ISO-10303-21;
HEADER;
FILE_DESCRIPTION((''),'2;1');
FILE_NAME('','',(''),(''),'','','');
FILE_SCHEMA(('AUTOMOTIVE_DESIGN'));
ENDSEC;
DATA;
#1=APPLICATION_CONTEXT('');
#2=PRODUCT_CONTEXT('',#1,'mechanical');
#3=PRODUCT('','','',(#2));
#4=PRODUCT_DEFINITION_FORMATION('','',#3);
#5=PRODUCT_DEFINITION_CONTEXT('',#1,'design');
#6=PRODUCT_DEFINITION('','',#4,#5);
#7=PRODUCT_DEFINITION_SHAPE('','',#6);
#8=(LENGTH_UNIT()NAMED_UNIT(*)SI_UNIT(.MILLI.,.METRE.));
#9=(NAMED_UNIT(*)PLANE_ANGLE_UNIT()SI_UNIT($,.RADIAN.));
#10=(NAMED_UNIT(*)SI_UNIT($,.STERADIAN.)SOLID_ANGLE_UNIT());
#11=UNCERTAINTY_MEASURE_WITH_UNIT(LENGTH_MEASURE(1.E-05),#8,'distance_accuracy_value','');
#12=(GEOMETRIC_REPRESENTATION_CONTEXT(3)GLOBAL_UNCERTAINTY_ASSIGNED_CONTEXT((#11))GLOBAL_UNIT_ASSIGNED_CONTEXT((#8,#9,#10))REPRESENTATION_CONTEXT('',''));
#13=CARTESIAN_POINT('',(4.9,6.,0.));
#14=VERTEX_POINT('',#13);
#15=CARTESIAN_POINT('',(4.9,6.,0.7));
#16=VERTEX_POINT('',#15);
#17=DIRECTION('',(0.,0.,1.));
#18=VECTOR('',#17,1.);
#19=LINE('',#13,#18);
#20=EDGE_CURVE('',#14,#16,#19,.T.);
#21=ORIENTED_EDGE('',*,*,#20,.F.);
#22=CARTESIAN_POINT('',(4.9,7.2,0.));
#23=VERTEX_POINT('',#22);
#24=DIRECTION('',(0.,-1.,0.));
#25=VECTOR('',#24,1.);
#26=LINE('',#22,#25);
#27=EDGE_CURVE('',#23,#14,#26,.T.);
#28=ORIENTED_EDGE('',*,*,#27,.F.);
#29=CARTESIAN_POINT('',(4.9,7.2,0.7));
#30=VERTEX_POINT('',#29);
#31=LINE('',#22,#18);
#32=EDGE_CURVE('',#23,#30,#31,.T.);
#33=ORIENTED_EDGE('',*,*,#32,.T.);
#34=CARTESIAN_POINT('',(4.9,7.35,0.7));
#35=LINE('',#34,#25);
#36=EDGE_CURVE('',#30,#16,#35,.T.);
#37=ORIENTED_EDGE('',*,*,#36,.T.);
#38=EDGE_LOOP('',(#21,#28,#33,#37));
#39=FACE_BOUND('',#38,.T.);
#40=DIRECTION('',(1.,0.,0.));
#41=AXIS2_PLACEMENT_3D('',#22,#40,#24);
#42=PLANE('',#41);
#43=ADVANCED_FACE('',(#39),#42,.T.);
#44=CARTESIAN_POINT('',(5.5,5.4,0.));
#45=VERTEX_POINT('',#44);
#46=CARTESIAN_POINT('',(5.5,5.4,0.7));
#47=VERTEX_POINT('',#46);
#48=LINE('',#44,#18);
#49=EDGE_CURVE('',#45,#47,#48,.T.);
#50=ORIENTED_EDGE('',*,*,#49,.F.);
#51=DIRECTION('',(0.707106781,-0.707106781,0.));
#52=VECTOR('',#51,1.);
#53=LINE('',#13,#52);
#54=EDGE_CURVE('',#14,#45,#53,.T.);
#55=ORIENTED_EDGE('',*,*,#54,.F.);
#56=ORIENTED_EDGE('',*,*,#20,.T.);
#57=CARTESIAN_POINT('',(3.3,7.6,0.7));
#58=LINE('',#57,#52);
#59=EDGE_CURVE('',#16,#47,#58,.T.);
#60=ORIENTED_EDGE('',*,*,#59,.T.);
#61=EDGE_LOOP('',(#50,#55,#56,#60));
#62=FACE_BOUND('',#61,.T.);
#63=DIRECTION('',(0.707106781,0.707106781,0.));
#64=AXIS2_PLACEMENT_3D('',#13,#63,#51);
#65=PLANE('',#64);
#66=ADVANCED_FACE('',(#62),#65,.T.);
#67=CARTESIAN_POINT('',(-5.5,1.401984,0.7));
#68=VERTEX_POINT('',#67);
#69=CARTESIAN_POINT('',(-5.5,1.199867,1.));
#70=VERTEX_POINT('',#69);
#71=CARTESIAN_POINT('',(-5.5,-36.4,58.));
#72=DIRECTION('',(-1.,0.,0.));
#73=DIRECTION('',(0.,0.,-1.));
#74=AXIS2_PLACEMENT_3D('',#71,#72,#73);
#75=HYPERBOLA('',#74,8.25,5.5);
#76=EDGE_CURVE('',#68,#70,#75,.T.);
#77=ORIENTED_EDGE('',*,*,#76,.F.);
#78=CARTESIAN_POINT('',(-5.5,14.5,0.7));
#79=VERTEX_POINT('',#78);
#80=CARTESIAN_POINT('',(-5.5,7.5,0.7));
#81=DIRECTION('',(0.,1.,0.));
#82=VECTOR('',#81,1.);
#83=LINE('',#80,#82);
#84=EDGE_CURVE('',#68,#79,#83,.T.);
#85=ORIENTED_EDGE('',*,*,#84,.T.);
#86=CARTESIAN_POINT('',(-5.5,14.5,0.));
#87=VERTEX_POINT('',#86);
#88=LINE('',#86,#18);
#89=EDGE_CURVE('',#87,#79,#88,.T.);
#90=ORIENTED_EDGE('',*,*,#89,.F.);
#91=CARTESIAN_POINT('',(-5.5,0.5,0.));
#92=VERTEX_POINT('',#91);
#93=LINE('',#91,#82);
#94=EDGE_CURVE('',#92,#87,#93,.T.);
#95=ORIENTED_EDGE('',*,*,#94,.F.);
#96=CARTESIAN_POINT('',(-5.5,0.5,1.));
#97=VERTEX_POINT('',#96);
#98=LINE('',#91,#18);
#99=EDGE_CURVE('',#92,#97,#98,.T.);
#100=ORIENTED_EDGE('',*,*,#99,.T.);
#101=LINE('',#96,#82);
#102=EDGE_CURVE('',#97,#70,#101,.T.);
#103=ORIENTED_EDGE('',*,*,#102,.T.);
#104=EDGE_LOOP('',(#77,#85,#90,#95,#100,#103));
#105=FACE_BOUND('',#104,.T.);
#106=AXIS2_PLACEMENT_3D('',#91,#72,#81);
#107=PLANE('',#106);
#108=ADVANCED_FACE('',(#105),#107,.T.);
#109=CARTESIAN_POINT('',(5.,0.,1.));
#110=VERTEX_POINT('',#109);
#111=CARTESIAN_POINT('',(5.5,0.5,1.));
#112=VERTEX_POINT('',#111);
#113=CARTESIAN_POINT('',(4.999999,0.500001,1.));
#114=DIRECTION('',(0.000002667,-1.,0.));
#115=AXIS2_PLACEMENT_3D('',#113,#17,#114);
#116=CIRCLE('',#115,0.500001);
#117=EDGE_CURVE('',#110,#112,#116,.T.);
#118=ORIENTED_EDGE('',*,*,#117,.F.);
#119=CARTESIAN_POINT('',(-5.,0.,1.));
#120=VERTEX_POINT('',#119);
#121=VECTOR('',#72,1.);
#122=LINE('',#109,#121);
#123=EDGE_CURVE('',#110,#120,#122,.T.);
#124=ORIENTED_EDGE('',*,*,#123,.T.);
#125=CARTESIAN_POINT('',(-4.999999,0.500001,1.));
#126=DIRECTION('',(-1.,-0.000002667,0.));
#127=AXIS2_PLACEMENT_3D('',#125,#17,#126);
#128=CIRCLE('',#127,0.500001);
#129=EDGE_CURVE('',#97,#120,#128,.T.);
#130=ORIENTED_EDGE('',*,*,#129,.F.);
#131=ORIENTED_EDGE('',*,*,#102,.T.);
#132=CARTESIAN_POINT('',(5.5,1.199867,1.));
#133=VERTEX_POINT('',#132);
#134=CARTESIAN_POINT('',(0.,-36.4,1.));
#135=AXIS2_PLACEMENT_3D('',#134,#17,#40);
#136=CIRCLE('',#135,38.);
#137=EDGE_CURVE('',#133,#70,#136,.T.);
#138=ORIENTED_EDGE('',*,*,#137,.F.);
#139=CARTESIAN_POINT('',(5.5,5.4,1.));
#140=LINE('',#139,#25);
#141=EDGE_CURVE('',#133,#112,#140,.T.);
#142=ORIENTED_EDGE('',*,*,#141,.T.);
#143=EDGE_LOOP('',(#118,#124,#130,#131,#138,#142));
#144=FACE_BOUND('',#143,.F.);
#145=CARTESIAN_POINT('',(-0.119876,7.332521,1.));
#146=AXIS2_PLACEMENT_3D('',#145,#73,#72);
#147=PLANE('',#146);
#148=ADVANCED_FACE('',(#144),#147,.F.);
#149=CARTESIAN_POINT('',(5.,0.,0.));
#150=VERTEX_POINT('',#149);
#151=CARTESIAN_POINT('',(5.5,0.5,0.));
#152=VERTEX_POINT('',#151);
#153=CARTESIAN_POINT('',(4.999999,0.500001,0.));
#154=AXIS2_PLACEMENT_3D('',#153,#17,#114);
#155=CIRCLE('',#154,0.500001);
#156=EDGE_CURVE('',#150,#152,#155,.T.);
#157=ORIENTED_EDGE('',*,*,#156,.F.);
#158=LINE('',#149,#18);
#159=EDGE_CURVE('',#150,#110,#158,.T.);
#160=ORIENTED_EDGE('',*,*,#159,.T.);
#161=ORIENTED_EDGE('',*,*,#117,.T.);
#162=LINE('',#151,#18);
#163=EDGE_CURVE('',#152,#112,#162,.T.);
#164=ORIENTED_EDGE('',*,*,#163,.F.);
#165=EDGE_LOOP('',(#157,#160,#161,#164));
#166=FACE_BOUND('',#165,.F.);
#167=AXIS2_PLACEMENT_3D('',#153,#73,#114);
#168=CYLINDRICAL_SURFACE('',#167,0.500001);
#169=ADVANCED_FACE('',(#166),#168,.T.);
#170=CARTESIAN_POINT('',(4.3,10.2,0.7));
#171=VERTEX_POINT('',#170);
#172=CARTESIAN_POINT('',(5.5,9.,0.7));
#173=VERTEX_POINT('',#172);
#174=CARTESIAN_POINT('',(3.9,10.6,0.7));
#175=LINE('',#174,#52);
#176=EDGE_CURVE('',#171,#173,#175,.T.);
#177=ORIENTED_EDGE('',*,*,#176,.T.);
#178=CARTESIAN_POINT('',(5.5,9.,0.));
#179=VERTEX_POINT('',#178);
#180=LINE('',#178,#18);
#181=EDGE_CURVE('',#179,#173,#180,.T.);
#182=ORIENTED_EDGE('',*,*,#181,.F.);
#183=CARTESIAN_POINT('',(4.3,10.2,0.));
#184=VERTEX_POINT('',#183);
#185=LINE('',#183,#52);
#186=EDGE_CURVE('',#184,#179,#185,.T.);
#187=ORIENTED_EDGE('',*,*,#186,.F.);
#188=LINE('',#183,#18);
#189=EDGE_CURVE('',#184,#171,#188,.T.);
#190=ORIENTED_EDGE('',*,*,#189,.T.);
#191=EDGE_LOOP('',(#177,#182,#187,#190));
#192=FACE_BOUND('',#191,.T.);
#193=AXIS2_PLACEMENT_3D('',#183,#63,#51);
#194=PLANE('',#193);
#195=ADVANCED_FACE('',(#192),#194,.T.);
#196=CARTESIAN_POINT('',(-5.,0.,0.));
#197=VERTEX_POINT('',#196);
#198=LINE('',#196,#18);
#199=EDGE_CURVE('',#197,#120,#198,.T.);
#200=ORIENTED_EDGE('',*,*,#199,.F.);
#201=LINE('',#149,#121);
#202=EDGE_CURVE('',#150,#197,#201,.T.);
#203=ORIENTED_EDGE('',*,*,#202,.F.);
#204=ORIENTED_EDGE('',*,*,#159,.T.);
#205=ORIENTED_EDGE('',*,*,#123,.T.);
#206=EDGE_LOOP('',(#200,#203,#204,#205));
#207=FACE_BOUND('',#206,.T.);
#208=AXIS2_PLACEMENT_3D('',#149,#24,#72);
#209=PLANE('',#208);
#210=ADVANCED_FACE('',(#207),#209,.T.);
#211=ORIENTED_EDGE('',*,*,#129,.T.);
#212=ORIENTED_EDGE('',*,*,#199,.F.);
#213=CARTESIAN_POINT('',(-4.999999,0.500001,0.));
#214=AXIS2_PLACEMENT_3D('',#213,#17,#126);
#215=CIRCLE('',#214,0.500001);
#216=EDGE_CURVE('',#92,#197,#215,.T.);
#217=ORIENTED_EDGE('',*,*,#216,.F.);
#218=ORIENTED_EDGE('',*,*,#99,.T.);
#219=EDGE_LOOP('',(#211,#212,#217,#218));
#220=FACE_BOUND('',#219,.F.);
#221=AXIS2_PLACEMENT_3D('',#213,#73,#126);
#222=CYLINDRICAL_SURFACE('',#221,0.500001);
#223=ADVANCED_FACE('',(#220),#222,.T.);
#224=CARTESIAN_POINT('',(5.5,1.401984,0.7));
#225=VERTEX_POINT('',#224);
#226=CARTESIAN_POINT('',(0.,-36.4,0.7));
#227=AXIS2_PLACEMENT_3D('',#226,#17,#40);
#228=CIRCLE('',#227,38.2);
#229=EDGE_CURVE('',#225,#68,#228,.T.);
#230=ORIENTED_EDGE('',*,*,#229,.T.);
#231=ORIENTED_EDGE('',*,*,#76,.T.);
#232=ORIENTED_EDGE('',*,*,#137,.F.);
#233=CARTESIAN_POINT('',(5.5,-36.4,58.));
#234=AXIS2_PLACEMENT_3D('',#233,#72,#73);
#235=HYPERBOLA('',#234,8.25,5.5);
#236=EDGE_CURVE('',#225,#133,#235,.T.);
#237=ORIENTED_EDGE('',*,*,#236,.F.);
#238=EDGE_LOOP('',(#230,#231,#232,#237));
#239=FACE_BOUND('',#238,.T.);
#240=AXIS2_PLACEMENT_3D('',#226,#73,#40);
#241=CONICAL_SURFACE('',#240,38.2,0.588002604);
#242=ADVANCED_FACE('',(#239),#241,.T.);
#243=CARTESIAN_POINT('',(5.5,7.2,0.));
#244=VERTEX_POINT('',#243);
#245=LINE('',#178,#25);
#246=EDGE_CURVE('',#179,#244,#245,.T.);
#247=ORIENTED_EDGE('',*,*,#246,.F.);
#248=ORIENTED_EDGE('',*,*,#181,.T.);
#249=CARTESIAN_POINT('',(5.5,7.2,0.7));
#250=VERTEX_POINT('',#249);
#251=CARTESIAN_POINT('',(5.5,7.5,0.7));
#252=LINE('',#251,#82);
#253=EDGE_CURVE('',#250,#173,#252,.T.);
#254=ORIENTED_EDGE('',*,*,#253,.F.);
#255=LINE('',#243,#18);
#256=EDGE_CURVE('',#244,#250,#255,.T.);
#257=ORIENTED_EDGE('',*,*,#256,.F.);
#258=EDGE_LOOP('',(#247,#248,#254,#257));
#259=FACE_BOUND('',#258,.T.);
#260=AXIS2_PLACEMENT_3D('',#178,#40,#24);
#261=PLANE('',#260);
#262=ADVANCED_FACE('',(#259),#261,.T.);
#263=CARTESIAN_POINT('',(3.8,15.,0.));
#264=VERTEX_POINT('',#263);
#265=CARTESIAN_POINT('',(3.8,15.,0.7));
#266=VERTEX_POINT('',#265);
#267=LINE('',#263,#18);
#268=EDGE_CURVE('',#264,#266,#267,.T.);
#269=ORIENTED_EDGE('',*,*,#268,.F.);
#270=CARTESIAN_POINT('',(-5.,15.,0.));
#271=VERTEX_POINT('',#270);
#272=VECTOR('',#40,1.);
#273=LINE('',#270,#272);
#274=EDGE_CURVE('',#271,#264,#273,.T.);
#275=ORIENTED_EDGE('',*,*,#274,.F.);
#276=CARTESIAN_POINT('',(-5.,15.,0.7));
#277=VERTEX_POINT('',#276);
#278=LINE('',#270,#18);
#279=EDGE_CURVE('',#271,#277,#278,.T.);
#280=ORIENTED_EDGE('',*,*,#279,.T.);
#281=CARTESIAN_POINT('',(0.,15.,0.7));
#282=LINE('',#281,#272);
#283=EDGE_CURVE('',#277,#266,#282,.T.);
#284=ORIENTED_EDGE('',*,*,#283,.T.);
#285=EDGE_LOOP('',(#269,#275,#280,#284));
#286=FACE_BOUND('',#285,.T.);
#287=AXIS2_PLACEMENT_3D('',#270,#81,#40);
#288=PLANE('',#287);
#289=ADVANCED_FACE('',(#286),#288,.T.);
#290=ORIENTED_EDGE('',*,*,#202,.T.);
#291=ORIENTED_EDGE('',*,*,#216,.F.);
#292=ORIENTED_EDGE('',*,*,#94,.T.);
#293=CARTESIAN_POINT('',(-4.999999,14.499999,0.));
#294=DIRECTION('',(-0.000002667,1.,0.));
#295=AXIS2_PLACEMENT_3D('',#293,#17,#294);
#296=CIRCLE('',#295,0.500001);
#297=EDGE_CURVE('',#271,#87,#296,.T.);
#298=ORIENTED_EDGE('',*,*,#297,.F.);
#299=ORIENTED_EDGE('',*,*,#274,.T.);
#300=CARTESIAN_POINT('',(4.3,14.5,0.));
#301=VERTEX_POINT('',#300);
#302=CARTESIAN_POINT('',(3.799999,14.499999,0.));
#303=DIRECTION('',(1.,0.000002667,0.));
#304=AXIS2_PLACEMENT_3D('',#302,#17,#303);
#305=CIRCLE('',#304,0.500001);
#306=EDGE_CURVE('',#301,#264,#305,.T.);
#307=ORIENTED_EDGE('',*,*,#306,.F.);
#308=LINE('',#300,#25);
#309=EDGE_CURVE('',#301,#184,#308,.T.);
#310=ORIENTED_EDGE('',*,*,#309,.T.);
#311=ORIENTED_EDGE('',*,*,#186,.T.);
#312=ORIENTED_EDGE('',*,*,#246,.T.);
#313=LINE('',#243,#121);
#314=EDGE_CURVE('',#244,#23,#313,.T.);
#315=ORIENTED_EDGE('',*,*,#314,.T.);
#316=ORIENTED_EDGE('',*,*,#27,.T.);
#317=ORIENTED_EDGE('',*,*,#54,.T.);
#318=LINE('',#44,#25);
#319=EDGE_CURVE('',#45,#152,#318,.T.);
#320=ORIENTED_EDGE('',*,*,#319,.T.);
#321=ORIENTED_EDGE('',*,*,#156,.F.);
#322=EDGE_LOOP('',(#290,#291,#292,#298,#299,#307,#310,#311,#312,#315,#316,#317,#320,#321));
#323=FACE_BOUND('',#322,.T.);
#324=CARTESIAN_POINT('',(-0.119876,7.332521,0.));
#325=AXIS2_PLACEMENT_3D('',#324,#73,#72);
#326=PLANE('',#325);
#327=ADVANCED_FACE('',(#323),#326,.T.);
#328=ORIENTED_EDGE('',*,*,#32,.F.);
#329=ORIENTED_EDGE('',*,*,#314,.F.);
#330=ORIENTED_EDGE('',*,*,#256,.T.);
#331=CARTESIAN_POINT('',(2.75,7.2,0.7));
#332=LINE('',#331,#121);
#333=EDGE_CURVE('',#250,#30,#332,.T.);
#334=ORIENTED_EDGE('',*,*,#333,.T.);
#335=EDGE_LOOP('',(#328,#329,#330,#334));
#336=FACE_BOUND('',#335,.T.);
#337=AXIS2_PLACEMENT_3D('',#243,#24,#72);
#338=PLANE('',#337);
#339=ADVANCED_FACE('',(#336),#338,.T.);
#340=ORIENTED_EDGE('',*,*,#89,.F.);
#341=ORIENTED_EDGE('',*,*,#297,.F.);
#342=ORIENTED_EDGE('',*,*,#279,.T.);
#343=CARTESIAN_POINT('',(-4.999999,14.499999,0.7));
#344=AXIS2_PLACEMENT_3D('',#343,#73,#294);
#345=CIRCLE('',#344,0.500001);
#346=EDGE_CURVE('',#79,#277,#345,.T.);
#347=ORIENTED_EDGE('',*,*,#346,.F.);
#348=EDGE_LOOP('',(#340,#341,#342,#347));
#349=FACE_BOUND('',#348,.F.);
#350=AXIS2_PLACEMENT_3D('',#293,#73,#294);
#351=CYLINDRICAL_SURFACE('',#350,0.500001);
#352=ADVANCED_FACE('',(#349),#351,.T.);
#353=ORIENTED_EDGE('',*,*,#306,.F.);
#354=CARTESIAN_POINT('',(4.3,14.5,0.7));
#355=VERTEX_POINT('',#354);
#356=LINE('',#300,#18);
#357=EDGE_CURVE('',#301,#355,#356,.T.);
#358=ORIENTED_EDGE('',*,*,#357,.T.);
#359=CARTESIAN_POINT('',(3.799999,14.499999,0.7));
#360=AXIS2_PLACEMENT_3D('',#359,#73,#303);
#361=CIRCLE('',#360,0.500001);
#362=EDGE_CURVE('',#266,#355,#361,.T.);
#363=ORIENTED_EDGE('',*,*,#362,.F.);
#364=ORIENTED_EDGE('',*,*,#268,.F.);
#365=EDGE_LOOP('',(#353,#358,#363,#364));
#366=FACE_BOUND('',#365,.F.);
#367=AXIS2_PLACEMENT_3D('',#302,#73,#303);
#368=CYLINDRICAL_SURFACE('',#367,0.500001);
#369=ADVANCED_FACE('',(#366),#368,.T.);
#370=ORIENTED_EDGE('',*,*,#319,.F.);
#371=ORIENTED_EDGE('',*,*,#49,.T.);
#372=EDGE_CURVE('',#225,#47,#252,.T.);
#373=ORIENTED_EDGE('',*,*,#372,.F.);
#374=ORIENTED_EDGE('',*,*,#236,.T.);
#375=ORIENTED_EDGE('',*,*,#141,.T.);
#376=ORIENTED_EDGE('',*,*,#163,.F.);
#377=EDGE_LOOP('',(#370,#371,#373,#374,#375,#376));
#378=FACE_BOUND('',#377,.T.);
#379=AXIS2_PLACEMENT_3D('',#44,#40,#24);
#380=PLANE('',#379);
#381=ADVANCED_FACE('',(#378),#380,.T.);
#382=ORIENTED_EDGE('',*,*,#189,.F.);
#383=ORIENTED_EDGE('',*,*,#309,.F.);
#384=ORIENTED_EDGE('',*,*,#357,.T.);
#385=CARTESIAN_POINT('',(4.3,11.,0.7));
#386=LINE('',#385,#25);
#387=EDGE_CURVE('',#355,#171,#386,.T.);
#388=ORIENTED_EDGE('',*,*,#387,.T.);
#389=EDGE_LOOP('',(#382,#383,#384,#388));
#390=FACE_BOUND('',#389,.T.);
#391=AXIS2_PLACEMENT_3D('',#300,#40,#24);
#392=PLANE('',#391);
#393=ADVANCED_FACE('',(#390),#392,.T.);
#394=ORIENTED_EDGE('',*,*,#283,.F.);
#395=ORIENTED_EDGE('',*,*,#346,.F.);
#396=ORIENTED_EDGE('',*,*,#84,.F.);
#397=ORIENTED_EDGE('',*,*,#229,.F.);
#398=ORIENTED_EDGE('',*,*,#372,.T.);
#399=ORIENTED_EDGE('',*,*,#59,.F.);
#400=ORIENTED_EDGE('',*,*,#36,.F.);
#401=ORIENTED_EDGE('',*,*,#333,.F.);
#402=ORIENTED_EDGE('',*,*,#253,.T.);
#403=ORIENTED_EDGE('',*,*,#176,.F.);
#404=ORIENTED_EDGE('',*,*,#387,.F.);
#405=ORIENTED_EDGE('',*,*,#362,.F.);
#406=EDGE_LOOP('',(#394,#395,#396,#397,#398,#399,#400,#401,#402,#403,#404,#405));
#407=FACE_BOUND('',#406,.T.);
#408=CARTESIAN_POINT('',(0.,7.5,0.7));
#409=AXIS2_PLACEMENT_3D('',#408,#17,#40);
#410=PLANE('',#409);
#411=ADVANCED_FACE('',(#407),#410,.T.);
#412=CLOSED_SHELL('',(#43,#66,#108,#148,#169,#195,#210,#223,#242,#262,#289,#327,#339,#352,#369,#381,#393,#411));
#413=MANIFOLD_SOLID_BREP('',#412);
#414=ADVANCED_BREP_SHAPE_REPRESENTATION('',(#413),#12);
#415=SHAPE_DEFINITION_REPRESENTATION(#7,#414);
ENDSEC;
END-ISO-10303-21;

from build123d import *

# Parameters (mm, degrees)
BOX072_W         = 11
BOX072_H         = 15
BOX072_DEPTH     = 0.3
EXTRUDE017_DEPTH = 1


with BuildPart() as cone:
    # Cone → Cone (revolve)
    with BuildSketch(Plane(origin=(0, -36.4, 0.7), x_dir=(1, 0, 0), z_dir=(0, -1, 0))):
        Polygon((0, 0), (38.2, 0), (38, 0.3), (0, 0.3), align=None)
    revolve(axis=Axis((0, -36.4, 0.7), (0, 0, 1)))


with BuildPart() as cut018:
    # Box072 → Box072 (new body)
    with BuildSketch(Plane(origin=(-5.5, 0, 0.7), x_dir=(1, 0, 0), z_dir=(0, 0, 1))):
        with Locations((5.5, 7.5)):
            Rectangle(BOX072_W, BOX072_H)
    extrude(amount=BOX072_DEPTH)

    # Cut018: cut Cone
    add(cone.part, mode=Mode.SUBTRACT)


with BuildPart() as body:
    # Sketch018 → Extrude017 (new body)
    with BuildSketch(Plane.XY):
        with BuildLine():
            Line((-5.5, 0.5), (-5.5, 14.5))
            ThreePointArc((-5, 15), (-5.353553, 14.853553), (-5.5, 14.5))
            Line((-5, 15), (3.8, 15))
            ThreePointArc((4.3, 14.5), (4.153553, 14.853553), (3.8, 15))
            Line((4.3, 14.5), (4.3, 10.2))
            Line((4.3, 10.2), (5.5, 9))
            Line((5.5, 9), (5.5, 7.2))
            Line((5.5, 7.2), (4.9, 7.2))
            Line((4.9, 7.2), (4.9, 6))
            Line((4.9, 6), (5.5, 5.4))
            Line((5.5, 5.4), (5.5, 0.5))
            ThreePointArc((5, 0), (5.353553, 0.146447), (5.5, 0.5))
            Line((5, 0), (-5, 0))
            ThreePointArc((-5.5, 0.5), (-5.353553, 0.146447), (-5, 0))
        make_face()
    extrude(amount=EXTRUDE017_DEPTH)

    # Cut019: cut Cut018
    add(cut018.part, mode=Mode.SUBTRACT)


solid = body.part
